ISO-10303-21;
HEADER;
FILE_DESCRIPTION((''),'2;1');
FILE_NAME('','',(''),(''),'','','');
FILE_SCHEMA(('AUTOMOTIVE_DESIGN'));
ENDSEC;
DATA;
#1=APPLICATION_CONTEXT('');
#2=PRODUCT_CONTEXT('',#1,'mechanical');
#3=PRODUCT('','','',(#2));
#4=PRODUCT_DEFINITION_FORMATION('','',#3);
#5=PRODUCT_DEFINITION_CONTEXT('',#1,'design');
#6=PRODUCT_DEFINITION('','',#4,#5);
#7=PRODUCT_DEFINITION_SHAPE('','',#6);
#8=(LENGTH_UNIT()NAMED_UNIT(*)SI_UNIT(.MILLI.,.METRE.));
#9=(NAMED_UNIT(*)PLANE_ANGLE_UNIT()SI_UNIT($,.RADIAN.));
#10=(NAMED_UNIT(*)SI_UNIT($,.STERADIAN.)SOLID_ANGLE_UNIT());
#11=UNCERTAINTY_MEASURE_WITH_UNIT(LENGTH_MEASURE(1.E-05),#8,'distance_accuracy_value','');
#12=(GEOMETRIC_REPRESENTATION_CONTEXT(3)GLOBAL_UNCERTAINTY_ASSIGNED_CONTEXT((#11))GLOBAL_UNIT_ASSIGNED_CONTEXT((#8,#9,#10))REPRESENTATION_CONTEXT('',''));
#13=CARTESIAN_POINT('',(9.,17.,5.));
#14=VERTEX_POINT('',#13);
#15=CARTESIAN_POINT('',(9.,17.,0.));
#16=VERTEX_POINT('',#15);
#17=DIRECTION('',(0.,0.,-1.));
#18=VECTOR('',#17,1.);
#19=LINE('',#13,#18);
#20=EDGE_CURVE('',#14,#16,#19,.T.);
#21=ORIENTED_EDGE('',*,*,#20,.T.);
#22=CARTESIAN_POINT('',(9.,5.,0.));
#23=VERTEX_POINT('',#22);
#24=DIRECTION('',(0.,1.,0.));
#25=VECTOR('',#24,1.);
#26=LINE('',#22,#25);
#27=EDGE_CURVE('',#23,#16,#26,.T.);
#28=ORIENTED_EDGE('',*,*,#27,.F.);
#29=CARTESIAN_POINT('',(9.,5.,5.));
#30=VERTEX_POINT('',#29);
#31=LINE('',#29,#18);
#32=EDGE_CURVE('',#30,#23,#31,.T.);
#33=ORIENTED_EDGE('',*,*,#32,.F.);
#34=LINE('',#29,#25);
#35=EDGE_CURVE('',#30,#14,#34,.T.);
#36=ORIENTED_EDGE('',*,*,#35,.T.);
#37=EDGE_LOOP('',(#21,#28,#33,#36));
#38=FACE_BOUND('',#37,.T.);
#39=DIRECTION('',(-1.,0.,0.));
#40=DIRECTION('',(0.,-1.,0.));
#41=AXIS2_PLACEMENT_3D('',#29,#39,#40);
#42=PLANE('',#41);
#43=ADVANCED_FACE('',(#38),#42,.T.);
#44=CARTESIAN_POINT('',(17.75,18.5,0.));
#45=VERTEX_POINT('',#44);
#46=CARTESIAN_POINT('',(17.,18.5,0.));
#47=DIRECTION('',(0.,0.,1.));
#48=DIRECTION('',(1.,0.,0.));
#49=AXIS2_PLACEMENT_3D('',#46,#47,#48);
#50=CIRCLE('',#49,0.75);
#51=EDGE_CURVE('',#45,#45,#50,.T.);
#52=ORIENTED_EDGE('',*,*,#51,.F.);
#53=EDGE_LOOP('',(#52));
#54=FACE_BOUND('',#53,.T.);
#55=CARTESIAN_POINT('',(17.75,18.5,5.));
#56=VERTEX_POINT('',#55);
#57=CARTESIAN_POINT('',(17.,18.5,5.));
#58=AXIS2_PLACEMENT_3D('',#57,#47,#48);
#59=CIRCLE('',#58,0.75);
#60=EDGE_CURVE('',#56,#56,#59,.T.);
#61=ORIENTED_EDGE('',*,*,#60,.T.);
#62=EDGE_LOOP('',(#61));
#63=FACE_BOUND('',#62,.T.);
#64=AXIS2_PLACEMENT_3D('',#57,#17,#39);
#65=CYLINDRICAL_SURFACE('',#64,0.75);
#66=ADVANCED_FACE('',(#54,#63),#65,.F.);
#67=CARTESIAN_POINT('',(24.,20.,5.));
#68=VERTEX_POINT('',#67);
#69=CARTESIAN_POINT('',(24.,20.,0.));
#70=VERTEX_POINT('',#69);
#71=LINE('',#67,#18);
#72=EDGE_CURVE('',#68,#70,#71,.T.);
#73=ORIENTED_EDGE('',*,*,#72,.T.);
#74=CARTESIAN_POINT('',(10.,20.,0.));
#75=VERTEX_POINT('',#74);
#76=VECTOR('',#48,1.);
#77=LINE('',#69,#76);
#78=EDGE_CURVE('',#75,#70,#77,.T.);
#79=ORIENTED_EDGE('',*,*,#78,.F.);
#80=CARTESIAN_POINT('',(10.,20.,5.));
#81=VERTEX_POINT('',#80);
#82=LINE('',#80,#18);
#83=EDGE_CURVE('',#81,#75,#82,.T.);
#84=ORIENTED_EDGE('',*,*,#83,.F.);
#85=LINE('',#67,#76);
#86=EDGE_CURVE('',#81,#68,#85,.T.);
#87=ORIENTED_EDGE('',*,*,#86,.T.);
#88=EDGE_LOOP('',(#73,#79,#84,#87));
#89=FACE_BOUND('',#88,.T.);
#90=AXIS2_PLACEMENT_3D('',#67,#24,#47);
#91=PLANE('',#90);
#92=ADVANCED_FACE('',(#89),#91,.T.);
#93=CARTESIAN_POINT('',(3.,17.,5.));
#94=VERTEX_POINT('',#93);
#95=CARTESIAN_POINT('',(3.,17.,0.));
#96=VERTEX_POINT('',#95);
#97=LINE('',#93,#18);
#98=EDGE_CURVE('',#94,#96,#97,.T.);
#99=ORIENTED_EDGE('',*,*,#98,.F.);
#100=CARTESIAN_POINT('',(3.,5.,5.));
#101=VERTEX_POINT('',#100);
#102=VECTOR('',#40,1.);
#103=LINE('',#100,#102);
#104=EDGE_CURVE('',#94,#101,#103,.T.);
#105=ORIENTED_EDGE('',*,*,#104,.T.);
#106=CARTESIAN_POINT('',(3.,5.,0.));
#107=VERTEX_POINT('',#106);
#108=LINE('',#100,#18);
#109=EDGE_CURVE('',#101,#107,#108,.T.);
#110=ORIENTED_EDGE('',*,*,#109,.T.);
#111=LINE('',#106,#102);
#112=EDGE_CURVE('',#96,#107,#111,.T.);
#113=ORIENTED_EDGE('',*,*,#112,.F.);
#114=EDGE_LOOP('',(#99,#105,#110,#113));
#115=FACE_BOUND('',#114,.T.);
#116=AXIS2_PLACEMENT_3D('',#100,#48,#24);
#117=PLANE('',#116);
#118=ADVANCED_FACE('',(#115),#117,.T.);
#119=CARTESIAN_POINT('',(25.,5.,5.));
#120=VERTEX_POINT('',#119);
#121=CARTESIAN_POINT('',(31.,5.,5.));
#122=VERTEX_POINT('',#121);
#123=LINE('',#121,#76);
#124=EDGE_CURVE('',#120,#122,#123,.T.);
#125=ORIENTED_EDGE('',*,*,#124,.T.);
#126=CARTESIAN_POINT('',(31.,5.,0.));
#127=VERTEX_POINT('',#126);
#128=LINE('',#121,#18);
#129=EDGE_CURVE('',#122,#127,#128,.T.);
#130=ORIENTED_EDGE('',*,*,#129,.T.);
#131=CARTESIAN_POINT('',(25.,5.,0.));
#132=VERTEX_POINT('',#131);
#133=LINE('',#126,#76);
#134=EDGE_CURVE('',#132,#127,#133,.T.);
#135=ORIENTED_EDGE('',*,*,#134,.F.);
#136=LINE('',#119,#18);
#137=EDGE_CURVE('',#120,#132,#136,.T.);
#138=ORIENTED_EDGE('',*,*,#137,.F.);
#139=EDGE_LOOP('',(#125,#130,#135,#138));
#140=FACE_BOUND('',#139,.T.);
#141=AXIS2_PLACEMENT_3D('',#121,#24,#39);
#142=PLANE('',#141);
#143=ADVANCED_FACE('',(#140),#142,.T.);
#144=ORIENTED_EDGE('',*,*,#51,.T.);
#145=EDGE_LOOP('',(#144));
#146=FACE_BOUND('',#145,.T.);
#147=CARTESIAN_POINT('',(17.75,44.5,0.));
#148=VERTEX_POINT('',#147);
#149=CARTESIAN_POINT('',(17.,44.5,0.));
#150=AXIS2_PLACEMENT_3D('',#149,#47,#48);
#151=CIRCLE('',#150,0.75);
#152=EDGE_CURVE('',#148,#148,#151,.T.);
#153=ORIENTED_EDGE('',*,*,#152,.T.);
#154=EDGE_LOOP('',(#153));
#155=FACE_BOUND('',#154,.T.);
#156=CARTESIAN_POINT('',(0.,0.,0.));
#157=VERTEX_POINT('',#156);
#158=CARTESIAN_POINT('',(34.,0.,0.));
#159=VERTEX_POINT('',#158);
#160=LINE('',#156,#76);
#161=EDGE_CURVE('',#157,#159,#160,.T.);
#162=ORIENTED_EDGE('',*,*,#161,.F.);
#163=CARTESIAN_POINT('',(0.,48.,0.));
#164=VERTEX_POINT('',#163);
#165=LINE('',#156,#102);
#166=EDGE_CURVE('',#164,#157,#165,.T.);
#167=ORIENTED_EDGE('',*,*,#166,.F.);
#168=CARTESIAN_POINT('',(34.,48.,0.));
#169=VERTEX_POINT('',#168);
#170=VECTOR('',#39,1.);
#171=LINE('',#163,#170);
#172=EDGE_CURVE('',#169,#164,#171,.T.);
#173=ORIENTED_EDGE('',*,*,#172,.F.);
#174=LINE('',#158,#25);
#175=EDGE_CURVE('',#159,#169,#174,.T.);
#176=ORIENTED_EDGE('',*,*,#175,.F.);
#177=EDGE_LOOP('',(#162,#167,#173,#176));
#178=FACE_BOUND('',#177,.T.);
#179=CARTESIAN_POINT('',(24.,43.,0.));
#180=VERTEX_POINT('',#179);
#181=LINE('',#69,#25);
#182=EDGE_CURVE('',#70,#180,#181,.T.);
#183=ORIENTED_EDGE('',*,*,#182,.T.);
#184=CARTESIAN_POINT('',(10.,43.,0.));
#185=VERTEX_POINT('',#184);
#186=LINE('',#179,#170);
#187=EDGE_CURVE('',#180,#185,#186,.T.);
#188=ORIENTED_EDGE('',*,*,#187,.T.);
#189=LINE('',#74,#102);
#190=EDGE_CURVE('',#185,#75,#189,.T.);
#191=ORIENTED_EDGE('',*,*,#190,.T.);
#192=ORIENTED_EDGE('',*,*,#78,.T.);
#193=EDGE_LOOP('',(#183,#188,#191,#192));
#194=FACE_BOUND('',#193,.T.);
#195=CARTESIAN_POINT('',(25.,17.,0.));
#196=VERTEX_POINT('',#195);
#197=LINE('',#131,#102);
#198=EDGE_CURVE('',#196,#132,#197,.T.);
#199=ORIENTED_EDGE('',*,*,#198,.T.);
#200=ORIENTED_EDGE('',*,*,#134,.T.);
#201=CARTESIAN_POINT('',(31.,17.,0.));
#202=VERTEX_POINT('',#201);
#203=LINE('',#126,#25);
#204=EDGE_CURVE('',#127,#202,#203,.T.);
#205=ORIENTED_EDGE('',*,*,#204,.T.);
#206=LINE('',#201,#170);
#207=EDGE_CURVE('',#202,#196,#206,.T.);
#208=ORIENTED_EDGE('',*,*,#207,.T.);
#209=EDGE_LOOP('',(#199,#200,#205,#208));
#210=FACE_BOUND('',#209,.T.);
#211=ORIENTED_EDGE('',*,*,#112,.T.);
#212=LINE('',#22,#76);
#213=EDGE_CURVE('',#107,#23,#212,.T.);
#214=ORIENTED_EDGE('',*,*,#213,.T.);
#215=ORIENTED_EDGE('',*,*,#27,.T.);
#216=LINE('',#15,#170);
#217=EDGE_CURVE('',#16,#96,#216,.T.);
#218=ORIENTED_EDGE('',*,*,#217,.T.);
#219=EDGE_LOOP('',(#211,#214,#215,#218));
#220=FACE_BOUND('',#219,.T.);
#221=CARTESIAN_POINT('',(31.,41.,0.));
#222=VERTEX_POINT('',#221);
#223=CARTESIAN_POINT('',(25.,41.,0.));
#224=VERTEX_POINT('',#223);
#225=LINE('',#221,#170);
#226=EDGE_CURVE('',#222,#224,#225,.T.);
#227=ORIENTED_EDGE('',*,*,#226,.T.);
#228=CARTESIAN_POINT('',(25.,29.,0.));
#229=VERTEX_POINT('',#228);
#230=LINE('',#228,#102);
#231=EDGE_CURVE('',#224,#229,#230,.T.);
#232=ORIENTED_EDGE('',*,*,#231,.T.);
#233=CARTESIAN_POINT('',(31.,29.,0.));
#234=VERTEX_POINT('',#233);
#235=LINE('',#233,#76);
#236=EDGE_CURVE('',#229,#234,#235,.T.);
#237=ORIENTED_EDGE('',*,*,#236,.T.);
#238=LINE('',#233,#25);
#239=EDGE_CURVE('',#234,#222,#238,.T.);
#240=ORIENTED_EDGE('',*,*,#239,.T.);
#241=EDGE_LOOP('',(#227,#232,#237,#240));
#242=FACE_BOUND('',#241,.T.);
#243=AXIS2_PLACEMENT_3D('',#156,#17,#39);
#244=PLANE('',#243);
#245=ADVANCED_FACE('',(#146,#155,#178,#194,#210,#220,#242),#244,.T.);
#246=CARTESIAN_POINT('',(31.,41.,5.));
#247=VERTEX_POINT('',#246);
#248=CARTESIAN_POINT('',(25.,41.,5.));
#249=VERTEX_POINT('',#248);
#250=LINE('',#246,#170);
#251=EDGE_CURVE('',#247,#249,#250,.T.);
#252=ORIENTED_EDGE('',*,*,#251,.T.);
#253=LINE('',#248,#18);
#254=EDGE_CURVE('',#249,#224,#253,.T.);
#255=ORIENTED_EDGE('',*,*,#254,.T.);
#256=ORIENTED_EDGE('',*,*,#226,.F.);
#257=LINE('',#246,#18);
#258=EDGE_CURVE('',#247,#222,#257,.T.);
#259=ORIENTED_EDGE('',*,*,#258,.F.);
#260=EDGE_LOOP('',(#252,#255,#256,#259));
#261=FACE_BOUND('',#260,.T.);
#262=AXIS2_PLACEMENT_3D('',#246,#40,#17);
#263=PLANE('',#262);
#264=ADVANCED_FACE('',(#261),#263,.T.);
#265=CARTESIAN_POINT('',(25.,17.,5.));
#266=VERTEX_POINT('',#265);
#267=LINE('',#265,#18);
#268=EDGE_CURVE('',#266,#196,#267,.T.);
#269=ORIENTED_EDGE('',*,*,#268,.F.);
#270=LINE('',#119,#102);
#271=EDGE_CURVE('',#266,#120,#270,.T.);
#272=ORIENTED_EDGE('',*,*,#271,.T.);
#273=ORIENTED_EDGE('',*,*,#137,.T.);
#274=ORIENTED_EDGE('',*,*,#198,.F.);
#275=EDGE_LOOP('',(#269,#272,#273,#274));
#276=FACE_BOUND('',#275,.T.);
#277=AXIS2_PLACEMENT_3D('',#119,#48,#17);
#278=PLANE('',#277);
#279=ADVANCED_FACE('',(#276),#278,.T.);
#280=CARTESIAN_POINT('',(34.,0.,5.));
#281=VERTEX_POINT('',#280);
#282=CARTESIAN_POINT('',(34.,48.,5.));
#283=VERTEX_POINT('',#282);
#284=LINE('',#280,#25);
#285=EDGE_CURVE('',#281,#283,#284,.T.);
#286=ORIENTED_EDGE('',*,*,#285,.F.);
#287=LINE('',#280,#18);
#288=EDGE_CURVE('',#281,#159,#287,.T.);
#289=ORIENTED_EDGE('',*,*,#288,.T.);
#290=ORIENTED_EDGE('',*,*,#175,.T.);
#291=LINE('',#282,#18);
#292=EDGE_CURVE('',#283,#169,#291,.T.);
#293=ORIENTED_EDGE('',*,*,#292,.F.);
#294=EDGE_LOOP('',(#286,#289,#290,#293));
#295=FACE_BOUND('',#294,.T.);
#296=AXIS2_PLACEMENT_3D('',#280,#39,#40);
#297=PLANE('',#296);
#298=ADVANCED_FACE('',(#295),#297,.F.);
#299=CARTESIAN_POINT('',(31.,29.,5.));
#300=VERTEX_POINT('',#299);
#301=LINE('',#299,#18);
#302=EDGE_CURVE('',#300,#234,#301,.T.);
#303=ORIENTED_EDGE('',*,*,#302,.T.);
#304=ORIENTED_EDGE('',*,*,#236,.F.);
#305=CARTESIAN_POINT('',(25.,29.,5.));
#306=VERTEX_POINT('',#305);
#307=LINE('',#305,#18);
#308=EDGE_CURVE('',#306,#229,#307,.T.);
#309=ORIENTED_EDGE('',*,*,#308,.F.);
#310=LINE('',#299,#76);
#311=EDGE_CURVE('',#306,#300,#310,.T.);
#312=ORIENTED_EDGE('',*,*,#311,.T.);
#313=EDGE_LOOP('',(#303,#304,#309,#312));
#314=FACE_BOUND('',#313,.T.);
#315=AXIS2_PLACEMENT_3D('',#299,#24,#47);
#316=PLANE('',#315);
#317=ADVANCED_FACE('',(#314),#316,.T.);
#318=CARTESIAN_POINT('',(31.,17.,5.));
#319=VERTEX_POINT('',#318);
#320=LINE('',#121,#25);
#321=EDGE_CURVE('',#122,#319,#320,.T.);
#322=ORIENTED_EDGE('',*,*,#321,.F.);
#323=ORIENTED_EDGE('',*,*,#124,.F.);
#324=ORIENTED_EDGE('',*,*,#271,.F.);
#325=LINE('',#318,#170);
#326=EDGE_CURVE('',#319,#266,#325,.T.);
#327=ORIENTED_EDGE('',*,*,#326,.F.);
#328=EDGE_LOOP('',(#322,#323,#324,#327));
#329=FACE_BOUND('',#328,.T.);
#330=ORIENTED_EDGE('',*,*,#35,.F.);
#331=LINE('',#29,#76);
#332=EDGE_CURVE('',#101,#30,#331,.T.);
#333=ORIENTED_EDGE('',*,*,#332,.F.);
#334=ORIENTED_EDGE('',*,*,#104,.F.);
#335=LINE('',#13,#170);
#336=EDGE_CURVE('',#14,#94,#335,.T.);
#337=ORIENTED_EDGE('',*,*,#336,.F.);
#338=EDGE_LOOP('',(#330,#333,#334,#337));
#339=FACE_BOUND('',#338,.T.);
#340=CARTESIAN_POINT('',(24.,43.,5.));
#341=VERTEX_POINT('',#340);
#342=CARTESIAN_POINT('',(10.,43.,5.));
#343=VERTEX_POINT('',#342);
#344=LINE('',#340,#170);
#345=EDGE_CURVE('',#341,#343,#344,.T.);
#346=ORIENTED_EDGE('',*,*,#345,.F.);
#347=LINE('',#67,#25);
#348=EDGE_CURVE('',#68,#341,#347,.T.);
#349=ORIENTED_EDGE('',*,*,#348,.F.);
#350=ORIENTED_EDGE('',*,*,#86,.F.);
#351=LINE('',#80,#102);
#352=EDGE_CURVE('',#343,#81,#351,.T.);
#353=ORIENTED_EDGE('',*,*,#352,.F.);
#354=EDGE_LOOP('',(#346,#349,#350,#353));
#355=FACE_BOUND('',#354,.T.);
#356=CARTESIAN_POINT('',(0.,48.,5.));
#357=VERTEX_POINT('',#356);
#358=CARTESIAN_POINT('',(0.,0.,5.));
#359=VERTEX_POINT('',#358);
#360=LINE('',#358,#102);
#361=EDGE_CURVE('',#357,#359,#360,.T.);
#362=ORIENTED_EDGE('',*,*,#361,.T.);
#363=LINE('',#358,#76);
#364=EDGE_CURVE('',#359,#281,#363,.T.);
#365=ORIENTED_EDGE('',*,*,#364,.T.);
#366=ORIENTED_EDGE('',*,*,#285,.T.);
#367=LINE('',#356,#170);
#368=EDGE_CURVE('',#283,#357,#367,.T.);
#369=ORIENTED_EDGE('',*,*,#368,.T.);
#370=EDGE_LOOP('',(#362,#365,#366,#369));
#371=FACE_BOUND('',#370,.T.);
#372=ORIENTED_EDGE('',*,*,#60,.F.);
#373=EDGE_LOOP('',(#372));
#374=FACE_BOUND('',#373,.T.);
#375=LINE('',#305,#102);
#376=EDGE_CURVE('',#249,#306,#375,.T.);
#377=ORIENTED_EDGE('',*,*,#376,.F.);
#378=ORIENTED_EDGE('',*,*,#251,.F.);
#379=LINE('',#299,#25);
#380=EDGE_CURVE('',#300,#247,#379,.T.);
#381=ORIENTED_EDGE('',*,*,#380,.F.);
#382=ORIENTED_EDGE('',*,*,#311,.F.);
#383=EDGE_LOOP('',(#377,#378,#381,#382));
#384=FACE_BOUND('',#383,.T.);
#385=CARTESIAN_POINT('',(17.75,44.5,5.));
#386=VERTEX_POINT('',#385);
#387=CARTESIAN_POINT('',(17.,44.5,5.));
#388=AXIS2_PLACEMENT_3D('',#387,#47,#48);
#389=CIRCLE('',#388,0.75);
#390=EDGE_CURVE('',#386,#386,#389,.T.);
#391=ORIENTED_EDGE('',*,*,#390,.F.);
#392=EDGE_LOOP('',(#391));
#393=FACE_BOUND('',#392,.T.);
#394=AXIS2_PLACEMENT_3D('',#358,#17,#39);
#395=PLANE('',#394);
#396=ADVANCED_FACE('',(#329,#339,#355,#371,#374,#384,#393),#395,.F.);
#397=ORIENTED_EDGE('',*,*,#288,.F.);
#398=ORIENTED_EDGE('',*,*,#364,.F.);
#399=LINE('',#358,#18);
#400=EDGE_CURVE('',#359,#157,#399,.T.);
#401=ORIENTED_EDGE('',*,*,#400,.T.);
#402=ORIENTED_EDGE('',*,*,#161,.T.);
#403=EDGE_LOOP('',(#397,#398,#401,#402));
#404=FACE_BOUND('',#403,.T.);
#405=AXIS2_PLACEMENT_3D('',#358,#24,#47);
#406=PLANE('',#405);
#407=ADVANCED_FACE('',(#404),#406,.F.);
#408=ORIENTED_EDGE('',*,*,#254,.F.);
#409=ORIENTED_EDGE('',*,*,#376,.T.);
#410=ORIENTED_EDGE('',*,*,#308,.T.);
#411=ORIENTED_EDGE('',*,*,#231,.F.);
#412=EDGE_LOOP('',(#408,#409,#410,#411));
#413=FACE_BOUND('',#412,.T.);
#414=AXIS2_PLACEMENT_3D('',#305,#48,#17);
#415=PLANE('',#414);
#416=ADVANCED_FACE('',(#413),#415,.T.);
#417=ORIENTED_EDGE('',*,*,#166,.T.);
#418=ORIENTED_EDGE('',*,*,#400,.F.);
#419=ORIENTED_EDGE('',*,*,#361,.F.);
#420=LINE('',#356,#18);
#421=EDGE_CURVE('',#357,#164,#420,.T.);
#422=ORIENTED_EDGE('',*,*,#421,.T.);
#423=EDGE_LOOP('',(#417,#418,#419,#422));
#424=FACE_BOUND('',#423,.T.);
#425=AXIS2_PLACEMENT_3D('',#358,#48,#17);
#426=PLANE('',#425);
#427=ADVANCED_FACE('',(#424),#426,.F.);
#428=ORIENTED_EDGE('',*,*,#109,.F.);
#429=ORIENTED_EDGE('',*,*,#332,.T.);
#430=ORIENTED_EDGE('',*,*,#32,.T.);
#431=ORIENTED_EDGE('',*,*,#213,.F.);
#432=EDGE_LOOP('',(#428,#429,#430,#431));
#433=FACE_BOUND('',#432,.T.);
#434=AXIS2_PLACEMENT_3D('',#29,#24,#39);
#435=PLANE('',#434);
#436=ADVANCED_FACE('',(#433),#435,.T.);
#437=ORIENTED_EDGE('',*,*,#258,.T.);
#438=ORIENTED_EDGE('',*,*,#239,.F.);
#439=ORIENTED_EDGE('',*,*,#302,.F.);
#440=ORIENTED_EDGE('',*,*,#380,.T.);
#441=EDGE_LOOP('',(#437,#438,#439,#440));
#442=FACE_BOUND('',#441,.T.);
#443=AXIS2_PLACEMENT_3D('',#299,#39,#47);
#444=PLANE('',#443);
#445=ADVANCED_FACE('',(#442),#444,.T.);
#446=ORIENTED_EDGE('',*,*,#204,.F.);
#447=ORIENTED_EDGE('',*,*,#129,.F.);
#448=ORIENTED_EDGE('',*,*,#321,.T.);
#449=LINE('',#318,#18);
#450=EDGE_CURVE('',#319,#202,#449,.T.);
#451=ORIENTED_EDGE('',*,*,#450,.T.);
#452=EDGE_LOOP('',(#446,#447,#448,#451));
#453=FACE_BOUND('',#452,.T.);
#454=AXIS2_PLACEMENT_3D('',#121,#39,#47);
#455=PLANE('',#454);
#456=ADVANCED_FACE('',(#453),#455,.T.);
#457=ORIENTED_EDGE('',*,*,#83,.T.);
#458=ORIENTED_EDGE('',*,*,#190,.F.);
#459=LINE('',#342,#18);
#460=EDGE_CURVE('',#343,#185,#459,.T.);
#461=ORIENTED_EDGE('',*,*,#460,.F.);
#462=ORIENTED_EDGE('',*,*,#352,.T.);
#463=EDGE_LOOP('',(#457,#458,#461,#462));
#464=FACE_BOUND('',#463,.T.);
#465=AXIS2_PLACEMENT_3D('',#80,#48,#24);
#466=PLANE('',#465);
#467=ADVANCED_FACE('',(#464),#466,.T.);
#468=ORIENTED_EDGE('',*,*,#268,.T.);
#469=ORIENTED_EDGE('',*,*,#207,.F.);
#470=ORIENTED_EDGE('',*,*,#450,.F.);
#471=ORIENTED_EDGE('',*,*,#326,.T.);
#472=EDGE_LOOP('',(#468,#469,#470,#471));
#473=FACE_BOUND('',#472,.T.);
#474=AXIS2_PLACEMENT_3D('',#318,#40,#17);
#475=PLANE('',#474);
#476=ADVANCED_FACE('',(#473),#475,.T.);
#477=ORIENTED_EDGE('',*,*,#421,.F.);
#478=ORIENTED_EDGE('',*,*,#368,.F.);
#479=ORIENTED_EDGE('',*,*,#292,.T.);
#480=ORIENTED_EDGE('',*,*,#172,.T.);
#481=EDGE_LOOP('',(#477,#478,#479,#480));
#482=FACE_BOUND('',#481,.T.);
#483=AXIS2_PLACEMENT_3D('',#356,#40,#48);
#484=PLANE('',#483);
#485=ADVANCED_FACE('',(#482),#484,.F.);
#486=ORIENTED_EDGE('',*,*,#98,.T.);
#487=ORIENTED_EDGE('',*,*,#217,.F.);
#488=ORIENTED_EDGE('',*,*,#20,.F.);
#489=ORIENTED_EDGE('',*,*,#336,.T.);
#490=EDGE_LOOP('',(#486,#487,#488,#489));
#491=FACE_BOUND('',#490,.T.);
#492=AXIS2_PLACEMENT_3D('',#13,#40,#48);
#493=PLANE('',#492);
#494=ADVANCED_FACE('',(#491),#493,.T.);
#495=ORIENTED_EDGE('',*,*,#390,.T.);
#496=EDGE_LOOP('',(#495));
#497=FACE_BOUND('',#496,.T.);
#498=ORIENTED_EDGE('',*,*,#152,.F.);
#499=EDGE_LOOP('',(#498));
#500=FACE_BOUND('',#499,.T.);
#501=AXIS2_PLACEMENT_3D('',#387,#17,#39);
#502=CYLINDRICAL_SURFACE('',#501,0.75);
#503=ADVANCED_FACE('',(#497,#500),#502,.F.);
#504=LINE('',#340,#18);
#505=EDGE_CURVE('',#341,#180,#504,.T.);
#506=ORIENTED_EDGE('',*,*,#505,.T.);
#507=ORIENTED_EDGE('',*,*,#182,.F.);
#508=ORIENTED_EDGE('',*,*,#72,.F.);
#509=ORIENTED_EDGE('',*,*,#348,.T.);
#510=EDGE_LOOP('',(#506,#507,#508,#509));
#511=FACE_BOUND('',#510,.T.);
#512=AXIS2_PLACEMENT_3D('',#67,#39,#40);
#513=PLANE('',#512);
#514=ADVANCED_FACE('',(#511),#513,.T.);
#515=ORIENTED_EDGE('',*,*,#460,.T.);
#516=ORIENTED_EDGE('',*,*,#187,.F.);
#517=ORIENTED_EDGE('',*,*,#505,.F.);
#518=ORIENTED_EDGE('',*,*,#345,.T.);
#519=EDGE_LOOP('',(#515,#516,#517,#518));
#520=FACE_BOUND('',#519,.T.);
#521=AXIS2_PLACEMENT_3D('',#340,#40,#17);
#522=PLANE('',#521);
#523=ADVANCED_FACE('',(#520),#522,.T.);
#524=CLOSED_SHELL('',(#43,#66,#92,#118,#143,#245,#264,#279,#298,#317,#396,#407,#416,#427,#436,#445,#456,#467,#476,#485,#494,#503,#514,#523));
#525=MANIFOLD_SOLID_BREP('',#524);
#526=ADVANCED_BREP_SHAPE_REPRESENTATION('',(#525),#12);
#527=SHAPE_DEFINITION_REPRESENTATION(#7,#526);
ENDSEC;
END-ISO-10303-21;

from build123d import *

# Parameters (mm, degrees)
CROQUIS1_W              = 34
CROQUIS1_H              = 48
CROQUIS1_R              = 0.75
CROQUIS1_W_2            = 14
CROQUIS1_H_2            = 23
CROQUIS1_W_3            = 6
CROQUIS1_H_3            = 12
SALIENTE_EXTRUIR1_DEPTH = 5


with BuildPart() as part:
    # Croquis1 → Saliente-Extruir1 (new body)
    with BuildSketch(Plane.XY):
        with Locations((17, 24)):
            Rectangle(CROQUIS1_W, CROQUIS1_H)
        with Locations((17, 18.5)):
            Circle(CROQUIS1_R, mode=Mode.SUBTRACT)
        with Locations((17, 44.5)):
            Circle(CROQUIS1_R, mode=Mode.SUBTRACT)
        with Locations((17, 31.5)):
            Rectangle(CROQUIS1_W_2, CROQUIS1_H_2, mode=Mode.SUBTRACT)
        with Locations((28, 11)):
            Rectangle(CROQUIS1_W_3, CROQUIS1_H_3, mode=Mode.SUBTRACT)
        with Locations((28, 35)):
            Rectangle(CROQUIS1_W_3, CROQUIS1_H_3, mode=Mode.SUBTRACT)
        with Locations((6, 11)):
            Rectangle(CROQUIS1_W_3, CROQUIS1_H_3, mode=Mode.SUBTRACT)
    extrude(amount=SALIENTE_EXTRUIR1_DEPTH)


solid = part.part
